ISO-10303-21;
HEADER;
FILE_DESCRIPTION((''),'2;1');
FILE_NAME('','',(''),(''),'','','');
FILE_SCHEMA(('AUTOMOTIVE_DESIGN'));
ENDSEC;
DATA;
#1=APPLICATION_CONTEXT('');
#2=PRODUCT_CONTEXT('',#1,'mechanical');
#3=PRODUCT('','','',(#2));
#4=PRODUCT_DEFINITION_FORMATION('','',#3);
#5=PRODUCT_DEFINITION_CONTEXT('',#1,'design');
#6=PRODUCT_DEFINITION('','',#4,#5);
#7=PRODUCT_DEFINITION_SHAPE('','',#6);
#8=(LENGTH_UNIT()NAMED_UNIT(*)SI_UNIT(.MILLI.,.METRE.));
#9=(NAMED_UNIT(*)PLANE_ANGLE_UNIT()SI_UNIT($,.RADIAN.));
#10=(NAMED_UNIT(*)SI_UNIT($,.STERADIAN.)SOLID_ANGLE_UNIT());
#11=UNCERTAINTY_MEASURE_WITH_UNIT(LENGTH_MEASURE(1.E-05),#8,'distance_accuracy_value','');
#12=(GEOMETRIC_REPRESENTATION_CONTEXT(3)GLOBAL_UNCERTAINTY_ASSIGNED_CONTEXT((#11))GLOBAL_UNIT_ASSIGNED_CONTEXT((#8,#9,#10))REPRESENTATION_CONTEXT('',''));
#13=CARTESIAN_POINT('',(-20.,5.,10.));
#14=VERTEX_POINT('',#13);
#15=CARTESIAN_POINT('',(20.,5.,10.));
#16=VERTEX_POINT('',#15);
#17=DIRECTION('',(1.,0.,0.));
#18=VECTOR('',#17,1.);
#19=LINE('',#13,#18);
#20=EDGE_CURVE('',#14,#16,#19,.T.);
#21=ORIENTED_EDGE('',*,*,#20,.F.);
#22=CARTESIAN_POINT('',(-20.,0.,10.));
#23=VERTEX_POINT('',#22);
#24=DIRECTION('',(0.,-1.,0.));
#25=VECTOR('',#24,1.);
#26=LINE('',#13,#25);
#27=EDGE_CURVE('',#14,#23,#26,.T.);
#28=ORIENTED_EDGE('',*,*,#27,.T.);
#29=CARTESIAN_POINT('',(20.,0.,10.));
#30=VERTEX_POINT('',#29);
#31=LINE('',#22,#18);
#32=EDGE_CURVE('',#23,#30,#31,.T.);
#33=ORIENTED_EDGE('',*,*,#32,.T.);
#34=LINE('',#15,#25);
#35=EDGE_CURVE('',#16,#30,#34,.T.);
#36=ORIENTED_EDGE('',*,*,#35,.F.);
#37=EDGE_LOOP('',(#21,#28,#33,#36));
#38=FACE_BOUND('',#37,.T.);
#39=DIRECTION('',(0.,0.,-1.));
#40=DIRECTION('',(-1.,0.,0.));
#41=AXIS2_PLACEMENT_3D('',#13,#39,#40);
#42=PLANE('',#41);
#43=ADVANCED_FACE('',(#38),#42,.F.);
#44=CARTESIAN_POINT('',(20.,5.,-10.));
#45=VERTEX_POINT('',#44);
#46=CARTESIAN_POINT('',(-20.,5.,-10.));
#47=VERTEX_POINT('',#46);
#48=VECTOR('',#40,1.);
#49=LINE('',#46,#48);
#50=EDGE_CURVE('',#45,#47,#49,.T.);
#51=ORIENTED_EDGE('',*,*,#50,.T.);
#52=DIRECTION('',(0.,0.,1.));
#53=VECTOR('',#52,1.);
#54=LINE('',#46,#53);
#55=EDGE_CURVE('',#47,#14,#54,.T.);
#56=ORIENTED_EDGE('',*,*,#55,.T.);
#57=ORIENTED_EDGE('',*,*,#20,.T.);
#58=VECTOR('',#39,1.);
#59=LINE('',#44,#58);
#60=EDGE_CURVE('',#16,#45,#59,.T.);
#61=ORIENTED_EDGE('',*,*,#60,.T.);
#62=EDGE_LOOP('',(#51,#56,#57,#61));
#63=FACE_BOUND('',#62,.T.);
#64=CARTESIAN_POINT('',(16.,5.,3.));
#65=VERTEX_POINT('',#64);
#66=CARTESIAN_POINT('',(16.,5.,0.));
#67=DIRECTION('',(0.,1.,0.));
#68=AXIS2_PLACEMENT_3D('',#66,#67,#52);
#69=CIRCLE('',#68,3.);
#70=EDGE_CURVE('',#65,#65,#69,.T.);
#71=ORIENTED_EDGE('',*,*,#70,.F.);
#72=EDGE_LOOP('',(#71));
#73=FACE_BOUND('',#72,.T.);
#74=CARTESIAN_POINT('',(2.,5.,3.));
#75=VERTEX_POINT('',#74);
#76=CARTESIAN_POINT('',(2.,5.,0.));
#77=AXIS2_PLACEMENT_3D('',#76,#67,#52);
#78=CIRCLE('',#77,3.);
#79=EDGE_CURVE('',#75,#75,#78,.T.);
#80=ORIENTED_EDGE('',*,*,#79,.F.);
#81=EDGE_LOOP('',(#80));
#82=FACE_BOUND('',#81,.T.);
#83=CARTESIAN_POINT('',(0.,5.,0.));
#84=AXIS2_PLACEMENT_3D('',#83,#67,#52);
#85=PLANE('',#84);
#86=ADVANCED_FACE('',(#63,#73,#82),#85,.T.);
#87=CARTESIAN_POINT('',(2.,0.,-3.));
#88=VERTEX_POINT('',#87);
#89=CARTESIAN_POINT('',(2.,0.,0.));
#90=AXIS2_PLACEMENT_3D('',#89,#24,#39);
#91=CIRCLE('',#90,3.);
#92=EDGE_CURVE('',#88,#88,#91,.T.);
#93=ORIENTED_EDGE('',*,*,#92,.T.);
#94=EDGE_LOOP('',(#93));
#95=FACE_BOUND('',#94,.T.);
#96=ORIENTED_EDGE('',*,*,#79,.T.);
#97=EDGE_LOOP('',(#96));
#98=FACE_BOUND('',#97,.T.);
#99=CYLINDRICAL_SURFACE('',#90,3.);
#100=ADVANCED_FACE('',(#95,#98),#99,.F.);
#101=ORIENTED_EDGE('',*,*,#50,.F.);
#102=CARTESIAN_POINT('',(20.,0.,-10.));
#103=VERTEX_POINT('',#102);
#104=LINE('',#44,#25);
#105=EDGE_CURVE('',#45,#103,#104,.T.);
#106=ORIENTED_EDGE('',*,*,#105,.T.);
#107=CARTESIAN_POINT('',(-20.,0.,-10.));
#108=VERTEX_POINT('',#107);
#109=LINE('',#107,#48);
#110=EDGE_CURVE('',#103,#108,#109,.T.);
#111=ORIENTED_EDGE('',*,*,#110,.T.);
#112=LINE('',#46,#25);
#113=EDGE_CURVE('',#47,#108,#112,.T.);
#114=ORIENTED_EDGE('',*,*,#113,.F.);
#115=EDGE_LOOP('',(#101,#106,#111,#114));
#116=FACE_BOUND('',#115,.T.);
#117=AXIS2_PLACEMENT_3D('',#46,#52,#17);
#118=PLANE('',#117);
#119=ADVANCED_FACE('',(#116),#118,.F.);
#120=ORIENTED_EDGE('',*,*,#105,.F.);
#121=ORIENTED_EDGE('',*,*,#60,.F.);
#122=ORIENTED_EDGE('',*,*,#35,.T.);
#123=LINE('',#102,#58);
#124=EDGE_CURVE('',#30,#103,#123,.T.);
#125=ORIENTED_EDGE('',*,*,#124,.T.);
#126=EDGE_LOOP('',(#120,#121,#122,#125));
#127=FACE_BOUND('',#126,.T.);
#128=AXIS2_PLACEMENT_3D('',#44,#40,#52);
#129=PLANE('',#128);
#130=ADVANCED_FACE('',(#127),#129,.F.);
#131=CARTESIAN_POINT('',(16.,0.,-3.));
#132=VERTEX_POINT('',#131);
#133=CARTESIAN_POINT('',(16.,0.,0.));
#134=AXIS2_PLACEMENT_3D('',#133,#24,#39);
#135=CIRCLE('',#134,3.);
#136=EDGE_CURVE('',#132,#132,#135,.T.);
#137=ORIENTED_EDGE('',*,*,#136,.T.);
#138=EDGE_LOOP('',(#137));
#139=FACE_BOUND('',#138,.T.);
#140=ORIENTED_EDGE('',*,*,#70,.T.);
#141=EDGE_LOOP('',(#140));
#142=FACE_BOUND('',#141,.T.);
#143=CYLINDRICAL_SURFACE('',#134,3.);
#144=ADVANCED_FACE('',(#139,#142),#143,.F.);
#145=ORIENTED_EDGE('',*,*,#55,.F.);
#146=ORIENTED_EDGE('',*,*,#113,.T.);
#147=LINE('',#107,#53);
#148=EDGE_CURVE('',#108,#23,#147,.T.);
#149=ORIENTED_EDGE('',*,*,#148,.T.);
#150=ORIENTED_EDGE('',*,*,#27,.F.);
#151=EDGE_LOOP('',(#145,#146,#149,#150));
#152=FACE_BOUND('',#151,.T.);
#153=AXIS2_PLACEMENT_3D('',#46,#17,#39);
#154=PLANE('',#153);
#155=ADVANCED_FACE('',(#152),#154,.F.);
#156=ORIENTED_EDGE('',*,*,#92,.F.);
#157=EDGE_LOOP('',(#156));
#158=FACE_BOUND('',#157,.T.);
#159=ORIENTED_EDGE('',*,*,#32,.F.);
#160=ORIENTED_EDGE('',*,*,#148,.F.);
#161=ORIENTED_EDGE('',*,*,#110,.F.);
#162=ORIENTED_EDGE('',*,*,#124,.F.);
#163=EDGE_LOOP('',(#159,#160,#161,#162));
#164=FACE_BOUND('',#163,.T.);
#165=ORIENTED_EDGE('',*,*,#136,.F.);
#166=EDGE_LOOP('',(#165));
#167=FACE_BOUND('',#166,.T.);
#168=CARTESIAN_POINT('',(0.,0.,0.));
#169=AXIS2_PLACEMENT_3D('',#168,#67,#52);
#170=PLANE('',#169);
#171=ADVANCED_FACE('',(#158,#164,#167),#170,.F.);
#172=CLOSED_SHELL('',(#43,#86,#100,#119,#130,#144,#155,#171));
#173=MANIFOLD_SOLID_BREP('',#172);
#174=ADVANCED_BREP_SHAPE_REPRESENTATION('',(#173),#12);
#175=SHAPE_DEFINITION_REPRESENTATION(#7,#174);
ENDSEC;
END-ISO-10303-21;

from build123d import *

# Parameters (mm, degrees)
SKETCH_1_W      = 40
SKETCH_1_H      = 20
EXTRUDE_1_DEPTH = 5
MM_3_D          = 6
MM_3_DEPTH      = 20
MM_3_TIP        = 1.802581857


with BuildPart() as part:
    # 草图1 → 凸台-拉伸1 (new body)
    with BuildSketch(Plane(origin=(0, 0, 0), x_dir=(1, 0, 0), z_dir=(0, 1, 0))):
        Rectangle(SKETCH_1_W, SKETCH_1_H)
    extrude(amount=EXTRUDE_1_DEPTH)

    # 大小mm 暗销槽口3
    with Locations(Plane(origin=(16, 0, 0), x_dir=(0, 0, -1), z_dir=(0, -1, 0))):
        with Locations((0, 0), (0, -14)):
            Hole(MM_3_D / 2, depth=MM_3_DEPTH)
            with Locations((0, 0, -(MM_3_DEPTH + MM_3_TIP / 2))):  # 118° drill point
                Cone(0, MM_3_D / 2, MM_3_TIP, mode=Mode.SUBTRACT)


solid = part.part
